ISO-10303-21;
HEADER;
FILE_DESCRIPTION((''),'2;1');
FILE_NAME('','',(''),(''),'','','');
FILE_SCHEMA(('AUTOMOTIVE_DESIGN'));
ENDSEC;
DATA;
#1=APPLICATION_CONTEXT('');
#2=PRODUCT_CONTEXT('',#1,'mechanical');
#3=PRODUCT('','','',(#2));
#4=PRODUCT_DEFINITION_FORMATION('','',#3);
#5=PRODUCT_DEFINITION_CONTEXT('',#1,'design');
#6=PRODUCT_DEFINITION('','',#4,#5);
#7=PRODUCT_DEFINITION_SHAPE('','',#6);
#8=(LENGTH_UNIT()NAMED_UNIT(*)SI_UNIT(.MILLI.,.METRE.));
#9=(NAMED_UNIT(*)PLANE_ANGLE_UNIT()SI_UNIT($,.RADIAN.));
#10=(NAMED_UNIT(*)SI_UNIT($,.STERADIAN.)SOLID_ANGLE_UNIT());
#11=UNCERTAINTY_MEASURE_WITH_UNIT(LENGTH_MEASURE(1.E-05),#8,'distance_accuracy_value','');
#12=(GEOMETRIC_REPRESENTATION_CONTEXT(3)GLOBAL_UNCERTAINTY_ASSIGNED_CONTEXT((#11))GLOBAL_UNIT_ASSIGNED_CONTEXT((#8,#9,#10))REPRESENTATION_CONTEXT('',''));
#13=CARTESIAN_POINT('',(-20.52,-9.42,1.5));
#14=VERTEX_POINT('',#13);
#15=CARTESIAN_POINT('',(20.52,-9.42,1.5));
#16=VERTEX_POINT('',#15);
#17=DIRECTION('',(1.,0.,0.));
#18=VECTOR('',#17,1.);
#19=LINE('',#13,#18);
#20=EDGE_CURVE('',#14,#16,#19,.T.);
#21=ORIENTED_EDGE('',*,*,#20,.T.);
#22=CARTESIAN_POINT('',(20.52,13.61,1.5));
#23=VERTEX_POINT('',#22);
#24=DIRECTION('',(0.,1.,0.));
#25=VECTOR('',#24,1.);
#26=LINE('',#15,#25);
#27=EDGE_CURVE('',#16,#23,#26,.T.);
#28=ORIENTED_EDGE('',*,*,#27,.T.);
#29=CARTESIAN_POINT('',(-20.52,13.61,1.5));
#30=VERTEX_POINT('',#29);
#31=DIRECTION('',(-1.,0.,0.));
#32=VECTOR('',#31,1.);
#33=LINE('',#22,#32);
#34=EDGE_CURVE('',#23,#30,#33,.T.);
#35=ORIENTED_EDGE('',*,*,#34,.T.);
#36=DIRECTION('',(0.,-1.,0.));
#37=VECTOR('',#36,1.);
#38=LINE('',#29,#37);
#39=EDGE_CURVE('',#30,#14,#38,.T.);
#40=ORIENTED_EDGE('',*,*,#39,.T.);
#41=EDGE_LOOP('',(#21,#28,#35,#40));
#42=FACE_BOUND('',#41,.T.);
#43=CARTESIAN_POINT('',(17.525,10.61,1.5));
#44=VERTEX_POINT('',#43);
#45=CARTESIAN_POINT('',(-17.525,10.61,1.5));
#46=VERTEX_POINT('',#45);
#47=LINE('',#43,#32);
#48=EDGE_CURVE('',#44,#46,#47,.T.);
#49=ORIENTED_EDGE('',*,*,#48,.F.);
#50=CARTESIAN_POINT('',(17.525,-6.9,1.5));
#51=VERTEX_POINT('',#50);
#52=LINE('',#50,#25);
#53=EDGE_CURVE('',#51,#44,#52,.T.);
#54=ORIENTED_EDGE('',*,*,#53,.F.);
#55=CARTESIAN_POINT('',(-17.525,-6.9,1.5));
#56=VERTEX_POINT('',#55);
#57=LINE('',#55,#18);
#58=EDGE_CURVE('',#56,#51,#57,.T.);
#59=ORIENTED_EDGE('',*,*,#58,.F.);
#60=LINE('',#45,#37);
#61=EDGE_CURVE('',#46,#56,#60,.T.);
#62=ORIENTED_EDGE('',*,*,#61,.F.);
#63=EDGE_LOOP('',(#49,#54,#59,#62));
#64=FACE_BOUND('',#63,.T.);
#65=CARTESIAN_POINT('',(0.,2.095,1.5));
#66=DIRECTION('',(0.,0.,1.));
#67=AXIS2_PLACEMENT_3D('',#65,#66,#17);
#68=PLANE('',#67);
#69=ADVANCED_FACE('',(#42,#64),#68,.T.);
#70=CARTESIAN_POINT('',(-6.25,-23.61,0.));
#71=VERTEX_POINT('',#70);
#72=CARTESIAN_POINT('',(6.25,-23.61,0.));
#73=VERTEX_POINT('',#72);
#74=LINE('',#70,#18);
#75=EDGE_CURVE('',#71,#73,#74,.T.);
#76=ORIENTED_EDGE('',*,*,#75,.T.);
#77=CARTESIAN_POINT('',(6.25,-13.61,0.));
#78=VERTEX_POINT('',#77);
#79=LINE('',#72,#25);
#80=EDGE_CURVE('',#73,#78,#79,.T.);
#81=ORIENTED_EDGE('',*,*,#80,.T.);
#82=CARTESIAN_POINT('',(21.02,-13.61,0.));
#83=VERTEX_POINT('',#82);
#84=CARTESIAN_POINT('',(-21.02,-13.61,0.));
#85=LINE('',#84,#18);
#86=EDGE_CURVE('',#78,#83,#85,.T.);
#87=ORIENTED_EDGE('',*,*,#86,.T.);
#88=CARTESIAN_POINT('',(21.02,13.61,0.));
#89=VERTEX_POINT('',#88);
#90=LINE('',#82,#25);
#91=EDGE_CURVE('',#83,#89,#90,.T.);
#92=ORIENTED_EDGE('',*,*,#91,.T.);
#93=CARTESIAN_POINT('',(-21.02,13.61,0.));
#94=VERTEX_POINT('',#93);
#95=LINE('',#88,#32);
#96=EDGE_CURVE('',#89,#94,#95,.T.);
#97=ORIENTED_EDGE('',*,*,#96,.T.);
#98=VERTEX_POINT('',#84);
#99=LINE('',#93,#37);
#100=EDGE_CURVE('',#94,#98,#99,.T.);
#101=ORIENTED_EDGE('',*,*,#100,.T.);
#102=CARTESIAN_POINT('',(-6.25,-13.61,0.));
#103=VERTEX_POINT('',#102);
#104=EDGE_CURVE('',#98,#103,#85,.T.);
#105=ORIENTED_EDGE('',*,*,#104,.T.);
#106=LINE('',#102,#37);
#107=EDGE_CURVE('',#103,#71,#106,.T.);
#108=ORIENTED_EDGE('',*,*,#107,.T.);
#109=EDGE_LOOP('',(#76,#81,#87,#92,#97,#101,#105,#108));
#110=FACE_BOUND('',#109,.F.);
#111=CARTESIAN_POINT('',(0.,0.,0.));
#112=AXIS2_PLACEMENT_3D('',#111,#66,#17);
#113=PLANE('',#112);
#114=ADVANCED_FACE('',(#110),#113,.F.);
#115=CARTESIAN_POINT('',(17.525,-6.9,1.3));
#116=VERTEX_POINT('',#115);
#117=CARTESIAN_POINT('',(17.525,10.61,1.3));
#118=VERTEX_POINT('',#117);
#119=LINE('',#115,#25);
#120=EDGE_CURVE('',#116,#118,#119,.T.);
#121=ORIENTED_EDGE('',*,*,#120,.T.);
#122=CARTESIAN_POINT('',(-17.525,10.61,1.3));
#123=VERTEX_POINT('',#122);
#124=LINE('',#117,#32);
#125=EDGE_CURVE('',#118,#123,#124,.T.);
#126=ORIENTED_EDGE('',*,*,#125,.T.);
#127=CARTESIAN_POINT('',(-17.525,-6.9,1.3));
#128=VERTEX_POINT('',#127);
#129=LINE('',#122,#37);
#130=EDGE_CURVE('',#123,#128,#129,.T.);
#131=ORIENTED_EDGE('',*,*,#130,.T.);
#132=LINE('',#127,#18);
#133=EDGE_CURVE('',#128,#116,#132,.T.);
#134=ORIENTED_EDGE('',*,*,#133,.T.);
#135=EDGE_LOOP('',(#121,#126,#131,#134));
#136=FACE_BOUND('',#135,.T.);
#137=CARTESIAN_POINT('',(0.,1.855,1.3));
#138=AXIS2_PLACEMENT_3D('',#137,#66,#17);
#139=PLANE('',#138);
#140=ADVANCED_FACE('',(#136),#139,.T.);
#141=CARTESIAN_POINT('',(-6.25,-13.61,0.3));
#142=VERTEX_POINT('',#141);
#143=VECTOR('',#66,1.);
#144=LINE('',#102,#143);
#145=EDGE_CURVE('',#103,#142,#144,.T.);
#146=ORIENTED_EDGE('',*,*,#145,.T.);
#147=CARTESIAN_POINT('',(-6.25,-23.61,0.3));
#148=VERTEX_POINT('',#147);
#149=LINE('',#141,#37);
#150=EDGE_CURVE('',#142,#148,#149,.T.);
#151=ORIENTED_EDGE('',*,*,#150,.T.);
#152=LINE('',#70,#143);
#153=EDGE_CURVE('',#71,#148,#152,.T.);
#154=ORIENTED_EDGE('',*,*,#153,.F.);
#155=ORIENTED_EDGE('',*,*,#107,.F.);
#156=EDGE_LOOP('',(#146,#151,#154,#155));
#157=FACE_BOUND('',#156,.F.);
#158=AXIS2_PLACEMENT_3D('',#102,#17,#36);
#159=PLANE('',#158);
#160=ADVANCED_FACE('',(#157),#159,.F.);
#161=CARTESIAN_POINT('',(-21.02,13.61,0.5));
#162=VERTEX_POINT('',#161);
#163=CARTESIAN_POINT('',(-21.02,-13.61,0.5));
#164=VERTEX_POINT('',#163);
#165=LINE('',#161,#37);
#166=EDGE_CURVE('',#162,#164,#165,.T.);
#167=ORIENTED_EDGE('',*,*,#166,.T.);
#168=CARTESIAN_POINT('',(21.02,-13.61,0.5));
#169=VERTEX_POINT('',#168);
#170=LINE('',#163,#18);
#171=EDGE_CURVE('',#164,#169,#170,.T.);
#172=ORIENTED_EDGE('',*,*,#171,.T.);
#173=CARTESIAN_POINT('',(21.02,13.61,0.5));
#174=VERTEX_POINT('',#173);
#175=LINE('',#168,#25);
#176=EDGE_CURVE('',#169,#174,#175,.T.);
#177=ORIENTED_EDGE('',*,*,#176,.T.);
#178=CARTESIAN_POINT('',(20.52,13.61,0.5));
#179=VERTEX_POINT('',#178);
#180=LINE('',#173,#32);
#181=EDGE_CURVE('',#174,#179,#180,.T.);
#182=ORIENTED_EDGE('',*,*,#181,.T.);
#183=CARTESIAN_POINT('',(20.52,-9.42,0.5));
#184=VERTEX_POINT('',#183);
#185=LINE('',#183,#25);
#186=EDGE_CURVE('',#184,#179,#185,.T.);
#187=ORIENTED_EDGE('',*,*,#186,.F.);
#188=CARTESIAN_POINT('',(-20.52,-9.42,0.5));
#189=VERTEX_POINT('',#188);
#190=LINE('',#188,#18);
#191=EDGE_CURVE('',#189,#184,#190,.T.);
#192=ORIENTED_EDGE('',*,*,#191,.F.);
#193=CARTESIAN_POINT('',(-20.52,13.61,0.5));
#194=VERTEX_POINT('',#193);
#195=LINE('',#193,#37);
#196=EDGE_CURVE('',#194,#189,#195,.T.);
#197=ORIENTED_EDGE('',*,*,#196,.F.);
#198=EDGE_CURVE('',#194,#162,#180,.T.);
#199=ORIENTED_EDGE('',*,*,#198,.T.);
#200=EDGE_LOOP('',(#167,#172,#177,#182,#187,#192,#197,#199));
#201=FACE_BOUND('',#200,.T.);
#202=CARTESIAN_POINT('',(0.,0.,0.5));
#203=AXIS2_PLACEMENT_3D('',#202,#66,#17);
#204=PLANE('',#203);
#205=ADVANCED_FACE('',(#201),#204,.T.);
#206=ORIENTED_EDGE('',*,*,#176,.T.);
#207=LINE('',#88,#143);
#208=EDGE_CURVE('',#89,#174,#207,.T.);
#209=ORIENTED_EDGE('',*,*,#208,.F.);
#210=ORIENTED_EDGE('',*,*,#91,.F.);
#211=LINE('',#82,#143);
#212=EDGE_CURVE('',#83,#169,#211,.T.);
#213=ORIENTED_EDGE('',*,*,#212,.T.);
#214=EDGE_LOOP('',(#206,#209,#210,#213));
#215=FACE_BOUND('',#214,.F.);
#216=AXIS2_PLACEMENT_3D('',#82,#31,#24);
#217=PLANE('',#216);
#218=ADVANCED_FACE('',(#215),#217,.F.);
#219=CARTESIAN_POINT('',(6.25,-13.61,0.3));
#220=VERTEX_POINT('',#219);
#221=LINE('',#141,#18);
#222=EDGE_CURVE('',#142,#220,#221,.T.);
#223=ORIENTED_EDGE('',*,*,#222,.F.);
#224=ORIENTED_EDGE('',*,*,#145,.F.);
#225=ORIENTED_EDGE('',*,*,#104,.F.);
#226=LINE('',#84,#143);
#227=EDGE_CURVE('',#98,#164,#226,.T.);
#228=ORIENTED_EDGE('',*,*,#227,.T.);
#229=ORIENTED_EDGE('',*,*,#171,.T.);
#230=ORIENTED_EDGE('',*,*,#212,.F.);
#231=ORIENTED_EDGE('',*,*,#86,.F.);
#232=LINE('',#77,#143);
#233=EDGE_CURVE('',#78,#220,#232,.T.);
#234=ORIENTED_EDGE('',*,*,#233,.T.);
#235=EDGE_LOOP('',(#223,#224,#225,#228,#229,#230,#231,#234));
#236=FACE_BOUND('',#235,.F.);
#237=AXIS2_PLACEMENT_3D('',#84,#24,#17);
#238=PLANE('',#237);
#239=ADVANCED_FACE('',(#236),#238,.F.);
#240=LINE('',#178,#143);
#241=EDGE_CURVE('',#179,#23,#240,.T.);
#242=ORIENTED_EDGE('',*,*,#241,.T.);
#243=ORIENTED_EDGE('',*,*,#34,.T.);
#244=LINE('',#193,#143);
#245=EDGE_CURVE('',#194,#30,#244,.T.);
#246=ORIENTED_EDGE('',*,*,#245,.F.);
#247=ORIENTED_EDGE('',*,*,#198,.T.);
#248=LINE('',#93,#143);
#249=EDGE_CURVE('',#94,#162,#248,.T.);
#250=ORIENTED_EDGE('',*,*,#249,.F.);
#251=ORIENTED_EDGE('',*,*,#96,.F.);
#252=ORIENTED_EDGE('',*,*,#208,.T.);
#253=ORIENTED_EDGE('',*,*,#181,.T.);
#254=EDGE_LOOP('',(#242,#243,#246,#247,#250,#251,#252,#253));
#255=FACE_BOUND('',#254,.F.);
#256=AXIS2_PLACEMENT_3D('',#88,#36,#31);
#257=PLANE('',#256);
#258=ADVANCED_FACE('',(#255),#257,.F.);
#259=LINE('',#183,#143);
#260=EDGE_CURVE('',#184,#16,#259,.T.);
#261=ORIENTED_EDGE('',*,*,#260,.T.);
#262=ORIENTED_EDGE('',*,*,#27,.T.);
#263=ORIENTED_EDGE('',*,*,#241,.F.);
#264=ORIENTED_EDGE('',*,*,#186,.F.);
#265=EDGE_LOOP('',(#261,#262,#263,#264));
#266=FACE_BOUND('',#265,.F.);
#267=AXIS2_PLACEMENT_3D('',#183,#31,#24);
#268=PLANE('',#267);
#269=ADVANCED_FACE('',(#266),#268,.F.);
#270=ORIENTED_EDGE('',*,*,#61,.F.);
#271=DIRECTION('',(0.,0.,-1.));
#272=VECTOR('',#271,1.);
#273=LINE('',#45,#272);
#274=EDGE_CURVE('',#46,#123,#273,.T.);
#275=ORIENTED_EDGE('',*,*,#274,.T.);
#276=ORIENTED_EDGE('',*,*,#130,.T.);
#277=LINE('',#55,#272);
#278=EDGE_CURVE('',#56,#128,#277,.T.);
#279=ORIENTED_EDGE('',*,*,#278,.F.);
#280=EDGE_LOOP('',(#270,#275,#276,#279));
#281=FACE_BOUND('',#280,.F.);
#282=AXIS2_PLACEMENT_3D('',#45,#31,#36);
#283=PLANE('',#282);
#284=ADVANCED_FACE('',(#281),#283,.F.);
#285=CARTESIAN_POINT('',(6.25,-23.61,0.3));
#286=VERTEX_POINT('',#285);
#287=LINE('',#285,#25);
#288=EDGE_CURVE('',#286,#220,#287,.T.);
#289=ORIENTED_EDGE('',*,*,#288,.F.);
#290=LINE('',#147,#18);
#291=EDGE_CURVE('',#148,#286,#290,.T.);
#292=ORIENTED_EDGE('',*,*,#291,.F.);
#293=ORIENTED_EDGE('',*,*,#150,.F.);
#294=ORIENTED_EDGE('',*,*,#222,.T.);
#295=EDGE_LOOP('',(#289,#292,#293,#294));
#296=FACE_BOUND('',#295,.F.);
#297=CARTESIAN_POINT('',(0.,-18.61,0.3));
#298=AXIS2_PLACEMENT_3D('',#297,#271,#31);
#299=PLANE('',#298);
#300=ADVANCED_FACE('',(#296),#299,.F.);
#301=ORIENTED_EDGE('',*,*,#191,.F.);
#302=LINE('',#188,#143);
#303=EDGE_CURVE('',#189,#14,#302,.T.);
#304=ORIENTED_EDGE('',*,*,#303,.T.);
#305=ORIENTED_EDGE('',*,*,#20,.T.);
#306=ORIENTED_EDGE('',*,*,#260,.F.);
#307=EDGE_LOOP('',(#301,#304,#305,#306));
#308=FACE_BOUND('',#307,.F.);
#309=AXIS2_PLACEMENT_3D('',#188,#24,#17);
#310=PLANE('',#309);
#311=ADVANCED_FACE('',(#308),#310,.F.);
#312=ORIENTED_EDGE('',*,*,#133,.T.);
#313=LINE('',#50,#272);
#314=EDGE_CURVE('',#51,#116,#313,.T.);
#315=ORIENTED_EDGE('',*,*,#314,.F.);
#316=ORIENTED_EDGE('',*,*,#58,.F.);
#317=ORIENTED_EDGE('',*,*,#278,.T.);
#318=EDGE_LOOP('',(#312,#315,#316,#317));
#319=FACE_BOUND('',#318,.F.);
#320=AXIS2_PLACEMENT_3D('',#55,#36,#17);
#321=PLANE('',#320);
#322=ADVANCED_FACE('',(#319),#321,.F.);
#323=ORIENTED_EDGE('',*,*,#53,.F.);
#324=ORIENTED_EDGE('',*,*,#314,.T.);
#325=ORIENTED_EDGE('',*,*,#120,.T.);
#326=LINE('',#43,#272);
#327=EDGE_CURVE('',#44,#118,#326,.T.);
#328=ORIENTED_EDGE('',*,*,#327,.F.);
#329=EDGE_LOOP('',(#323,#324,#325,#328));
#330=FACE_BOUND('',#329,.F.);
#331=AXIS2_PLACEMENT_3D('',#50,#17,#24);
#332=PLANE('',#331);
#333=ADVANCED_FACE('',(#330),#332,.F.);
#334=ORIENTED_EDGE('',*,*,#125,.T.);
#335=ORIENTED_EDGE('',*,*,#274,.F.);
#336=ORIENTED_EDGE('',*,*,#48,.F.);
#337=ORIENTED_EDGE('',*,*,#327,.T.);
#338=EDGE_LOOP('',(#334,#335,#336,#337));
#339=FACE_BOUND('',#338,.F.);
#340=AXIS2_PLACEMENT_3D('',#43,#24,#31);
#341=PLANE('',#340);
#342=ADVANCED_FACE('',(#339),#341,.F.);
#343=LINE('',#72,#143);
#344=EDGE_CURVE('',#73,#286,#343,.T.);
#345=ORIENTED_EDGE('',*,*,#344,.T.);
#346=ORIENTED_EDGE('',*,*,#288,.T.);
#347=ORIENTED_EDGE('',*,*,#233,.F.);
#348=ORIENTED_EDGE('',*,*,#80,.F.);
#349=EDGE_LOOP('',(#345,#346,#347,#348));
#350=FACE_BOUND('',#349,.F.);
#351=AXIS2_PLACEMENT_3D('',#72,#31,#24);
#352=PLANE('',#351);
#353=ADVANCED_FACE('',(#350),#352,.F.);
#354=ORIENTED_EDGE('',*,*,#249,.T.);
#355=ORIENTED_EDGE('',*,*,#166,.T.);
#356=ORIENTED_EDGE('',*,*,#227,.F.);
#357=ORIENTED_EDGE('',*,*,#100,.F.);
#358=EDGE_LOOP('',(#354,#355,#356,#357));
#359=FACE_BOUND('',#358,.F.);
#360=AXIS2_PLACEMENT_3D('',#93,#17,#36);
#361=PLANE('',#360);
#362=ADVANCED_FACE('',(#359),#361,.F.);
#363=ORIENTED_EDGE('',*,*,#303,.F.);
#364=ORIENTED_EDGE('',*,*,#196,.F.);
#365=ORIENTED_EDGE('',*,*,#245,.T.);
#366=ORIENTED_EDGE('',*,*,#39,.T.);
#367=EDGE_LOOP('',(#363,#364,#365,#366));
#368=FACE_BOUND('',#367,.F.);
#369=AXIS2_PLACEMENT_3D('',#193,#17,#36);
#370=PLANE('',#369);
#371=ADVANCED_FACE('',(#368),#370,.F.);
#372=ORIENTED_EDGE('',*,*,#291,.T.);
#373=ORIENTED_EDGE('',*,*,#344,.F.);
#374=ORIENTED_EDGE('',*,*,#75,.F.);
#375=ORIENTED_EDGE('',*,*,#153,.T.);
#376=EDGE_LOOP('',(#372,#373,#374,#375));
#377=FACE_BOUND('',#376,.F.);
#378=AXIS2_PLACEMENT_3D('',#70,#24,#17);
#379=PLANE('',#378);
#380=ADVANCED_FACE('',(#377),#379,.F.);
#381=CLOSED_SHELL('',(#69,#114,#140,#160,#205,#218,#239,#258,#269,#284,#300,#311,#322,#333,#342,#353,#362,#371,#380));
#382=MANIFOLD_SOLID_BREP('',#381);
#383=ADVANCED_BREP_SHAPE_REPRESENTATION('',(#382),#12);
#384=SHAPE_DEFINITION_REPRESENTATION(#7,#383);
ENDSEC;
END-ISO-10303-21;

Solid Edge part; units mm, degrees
sketch "Sketch1" plane through (0, 0, 0) normal (0, 0, 1) x (1, 0, 0)
  line L0 (-21.02, -13.61) -> (21.02, -13.61)
  line L1 (21.02, -13.61) -> (21.02, 13.61)
  line L2 (21.02, 13.61) -> (-21.02, 13.61)
  line L3 (-21.02, 13.61) -> (-21.02, -13.61)
  dimension "D1" = 42.04
  dimension "D2" = 27.22
extrude "Protrusion1" add sketch "Sketch1" along normal blind 0.5
sketch "Sketch2" plane through (0, 0, 0.5) normal (0, 0, 1) x (1, 0, 0)
  line L0 (-20.52, -9.42) -> (20.52, -9.42)
  line L1 (20.52, -9.42) -> (20.52, 13.61)
  line L2 (20.52, 13.61) -> (-20.52, 13.61)
  line L3 (-20.52, 13.61) -> (-20.52, -9.42)
  dimension "D1" = 41.04
  dimension "D2" = 23.03
  dimension "D3" = 4.19
extrude "Ausprägung_2" add sketch "Sketch2" along normal blind 1
sketch "Sketch3" plane through (0, 2.095, 1.5) normal (0, 0, 1) x (1, 0, 0)
  line L0 (-17.525, -8.995) -> (17.525, -8.995)
  line L1 (17.525, -8.995) -> (17.525, 8.515)
  line L2 (17.525, 8.515) -> (-17.525, 8.515)
  line L3 (-17.525, 8.515) -> (-17.525, -8.995)
  dimension "D1" = 35.05
  dimension "D2" = 17.51
  dimension "D3" = 3
extrude "Ausschnitt_1" cut sketch "Sketch3" against normal blind 0.2
sketch "Sketch4" plane through (0, 0, 0) normal (0, 0, 1) x (1, 0, 0)
  line L0 (-6.25, -13.61) -> (6.25, -13.61)
  line L1 (6.25, -23.61) -> (6.25, -13.61)
  line L2 (-6.25, -23.61) -> (6.25, -23.61)
  line L3 (-6.25, -13.61) -> (-6.25, -23.61)
  dimension "D1" = 12.5
  dimension "D2" = 10
extrude "Ausprägung_3" add sketch "Sketch4" along normal blind 0.3
